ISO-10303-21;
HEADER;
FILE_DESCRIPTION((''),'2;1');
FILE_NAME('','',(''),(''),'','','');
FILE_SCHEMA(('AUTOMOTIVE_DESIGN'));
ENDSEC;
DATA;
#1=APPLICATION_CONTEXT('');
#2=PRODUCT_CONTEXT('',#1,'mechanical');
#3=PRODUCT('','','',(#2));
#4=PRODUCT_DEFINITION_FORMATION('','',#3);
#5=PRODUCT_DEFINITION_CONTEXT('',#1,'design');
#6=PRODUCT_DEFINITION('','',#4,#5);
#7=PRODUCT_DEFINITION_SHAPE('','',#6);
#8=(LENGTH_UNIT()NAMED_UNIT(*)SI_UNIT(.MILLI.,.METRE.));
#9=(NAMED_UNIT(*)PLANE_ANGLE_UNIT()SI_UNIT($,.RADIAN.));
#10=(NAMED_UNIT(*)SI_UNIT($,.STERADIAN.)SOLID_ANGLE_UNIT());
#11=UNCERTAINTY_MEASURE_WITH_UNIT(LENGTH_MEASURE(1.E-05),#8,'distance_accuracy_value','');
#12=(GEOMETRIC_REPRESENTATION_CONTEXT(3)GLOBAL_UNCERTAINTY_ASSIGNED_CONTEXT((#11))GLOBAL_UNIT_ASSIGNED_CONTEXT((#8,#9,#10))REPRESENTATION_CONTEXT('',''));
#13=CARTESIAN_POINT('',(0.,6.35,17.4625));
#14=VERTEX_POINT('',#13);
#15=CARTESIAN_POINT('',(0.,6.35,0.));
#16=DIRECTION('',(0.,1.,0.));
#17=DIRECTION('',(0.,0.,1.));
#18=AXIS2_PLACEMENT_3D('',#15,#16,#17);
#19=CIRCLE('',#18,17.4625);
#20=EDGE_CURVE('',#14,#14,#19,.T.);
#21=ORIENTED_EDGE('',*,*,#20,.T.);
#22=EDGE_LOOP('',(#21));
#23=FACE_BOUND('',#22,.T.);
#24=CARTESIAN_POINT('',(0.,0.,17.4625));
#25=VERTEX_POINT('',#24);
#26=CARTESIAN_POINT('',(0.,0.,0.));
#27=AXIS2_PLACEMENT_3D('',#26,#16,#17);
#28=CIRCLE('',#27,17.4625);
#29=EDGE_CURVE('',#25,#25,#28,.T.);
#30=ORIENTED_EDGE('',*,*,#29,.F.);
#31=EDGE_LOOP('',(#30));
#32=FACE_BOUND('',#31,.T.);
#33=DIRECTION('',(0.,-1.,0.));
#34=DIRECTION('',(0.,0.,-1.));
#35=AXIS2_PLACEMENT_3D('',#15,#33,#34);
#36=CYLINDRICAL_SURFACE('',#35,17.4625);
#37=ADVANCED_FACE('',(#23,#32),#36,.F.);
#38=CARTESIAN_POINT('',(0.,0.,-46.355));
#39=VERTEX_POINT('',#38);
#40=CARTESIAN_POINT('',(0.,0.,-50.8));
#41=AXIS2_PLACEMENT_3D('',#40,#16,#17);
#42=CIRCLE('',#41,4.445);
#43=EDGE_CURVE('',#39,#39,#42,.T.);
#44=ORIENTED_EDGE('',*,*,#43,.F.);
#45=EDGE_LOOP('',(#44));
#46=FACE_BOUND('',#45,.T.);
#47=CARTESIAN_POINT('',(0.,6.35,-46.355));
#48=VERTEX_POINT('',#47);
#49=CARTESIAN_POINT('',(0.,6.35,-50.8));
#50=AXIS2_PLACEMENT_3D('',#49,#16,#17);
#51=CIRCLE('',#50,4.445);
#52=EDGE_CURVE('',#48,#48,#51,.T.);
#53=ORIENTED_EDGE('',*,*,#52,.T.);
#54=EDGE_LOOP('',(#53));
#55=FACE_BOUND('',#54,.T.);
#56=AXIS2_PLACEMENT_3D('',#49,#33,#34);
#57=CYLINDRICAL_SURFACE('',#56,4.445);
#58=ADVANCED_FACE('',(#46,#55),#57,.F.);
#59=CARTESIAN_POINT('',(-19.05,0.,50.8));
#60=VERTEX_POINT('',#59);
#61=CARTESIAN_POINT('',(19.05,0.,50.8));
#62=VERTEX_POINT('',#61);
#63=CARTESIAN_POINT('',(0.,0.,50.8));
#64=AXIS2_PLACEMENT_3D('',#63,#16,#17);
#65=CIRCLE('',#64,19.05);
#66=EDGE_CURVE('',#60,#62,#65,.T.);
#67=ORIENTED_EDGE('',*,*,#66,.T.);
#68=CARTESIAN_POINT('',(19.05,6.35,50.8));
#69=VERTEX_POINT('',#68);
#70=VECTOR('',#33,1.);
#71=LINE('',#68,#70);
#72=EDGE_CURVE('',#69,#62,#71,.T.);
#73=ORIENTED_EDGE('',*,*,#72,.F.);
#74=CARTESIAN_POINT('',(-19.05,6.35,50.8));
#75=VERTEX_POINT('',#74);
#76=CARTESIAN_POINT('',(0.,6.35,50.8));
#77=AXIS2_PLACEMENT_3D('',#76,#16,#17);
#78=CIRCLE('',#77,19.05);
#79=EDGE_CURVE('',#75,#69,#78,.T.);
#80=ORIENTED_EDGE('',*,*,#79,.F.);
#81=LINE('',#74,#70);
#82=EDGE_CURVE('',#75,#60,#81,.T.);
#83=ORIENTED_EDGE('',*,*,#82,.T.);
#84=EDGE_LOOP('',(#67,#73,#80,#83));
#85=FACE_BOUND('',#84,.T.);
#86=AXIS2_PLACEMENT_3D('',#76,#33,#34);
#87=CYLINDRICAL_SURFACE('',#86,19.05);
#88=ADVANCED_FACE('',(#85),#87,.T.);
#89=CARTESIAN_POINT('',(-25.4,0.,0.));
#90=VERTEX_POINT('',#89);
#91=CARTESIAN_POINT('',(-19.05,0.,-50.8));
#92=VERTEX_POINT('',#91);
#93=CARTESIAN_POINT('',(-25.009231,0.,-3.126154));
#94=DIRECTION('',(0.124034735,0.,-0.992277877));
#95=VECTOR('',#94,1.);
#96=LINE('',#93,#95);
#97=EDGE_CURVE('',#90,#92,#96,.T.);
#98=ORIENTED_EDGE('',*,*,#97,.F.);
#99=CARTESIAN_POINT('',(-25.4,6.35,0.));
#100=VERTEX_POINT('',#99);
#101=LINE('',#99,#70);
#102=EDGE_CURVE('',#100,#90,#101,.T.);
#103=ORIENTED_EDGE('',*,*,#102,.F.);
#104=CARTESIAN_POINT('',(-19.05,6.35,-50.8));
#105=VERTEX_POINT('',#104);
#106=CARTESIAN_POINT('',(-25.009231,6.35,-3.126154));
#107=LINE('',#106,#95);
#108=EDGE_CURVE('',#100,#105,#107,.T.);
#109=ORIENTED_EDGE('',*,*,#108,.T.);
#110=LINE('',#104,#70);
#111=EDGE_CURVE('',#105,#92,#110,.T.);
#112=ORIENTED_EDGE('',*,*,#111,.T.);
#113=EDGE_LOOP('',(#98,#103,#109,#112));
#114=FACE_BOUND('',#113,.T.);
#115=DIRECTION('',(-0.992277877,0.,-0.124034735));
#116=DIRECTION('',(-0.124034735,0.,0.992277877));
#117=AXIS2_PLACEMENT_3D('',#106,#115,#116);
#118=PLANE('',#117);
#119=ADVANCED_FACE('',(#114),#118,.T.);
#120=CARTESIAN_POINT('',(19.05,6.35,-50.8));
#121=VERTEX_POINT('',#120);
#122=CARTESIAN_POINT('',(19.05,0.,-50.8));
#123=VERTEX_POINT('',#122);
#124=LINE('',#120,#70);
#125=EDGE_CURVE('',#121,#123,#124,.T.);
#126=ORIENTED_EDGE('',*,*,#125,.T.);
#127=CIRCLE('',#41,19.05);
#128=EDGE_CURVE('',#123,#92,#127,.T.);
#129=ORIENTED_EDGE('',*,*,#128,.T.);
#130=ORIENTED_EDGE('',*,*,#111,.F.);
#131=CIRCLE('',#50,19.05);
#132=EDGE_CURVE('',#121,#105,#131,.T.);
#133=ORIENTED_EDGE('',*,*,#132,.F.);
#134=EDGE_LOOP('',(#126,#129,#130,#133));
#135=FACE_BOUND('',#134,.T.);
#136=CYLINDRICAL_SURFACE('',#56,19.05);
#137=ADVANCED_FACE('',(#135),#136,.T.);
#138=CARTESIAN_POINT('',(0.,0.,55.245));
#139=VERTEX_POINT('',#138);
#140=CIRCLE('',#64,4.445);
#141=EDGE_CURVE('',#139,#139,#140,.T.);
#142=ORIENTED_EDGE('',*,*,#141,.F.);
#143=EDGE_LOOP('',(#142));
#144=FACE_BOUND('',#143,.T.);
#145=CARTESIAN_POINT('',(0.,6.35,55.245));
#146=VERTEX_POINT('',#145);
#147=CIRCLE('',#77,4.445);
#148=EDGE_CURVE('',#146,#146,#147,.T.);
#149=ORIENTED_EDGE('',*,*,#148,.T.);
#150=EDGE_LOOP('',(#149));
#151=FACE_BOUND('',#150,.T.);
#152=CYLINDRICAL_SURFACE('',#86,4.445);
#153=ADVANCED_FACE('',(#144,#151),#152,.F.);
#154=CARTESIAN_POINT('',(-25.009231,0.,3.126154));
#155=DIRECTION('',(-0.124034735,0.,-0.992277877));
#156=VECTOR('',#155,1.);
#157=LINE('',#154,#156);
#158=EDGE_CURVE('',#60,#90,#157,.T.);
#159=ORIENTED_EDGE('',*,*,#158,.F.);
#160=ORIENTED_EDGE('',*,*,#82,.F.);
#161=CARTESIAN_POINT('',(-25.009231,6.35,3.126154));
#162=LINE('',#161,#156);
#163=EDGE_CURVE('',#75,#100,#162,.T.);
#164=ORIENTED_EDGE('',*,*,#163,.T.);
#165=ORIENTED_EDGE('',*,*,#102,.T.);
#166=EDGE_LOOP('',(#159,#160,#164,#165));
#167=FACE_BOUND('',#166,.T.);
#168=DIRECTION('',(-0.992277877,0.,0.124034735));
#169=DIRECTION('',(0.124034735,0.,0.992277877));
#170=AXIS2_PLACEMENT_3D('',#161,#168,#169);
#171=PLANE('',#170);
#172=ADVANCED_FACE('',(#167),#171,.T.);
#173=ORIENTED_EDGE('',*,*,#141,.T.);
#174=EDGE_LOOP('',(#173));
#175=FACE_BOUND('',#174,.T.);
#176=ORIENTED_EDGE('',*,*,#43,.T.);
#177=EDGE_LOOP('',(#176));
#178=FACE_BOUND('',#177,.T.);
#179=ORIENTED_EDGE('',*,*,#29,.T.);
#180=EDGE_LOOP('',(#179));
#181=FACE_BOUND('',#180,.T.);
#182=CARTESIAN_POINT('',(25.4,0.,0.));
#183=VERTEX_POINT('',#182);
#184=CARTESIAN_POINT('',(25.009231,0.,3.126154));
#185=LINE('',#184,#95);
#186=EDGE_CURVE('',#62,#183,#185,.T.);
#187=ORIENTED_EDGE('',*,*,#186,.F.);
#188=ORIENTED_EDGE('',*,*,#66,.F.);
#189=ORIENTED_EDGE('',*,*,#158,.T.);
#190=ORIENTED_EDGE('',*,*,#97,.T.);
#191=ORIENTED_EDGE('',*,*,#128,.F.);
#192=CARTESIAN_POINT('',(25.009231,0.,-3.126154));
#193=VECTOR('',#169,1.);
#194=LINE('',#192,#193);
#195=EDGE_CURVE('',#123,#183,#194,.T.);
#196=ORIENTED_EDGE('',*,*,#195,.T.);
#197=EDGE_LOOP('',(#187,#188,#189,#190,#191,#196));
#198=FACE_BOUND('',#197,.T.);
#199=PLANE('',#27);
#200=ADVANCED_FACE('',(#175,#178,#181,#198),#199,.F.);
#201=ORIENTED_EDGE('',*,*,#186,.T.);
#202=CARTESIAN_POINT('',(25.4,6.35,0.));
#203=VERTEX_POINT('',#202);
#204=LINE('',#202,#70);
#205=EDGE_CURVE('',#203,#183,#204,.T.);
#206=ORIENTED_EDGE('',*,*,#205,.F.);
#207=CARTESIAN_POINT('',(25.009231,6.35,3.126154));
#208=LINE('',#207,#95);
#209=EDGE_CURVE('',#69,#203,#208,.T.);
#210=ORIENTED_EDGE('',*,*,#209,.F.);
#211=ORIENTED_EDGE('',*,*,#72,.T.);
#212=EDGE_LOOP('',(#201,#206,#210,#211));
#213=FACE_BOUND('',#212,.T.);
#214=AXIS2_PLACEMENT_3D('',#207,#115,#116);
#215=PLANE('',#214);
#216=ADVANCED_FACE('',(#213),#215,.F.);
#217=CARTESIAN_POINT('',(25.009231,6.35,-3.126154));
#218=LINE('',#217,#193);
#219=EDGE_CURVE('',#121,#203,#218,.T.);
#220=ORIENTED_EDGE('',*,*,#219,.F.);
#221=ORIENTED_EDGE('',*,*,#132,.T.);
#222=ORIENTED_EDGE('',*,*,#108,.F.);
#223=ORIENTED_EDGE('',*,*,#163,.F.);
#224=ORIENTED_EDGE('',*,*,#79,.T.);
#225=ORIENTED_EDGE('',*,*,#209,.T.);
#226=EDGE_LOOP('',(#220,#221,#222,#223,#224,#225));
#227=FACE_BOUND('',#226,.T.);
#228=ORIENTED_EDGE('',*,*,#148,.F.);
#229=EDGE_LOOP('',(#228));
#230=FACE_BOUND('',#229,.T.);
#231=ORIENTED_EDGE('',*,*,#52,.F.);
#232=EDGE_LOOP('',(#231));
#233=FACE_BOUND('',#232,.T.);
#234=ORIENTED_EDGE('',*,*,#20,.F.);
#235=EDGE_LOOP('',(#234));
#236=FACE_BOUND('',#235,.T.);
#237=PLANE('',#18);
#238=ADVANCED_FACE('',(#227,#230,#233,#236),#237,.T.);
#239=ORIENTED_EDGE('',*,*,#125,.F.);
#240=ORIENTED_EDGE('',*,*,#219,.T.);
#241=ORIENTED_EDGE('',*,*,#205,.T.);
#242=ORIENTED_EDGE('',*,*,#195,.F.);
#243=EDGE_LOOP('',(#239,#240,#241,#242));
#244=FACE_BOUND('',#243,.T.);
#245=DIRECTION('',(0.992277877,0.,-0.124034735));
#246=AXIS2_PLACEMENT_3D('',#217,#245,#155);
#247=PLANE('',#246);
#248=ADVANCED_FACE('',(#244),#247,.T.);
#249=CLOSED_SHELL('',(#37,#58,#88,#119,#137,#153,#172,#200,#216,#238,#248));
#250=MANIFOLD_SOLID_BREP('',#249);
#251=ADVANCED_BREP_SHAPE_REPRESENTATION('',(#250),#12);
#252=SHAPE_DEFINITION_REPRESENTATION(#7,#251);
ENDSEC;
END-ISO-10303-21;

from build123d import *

# Parameters (mm, degrees)
SKETCH1_R           = 4.445
SKETCH1_R_2         = 17.4625
BOSS_EXTRUDE1_DEPTH = 6.35


with BuildPart() as part:
    # Sketch1 → Boss-Extrude1 (new body)
    with BuildSketch(Plane(origin=(0, 0, 0), x_dir=(1, 0, 0), z_dir=(0, 1, 0))):
        with BuildLine():
            ThreePointArc((-19.05, -50.8), (0, -69.85), (19.05, -50.8))
            Line((19.05, -50.8), (25.4, 0))
            Line((25.4, 0), (19.05, 50.8))
            ThreePointArc((19.05, 50.8), (0, 69.85), (-19.05, 50.8))
            Line((-19.05, 50.8), (-25.4, 0))
            Line((-25.4, 0), (-19.05, -50.8))
        make_face()
        with Locations((0, -50.8)):
            Circle(SKETCH1_R, mode=Mode.SUBTRACT)
        Circle(SKETCH1_R_2, mode=Mode.SUBTRACT)
        with Locations((0, 50.8)):
            Circle(SKETCH1_R, mode=Mode.SUBTRACT)
    extrude(amount=BOSS_EXTRUDE1_DEPTH)


solid = part.part
